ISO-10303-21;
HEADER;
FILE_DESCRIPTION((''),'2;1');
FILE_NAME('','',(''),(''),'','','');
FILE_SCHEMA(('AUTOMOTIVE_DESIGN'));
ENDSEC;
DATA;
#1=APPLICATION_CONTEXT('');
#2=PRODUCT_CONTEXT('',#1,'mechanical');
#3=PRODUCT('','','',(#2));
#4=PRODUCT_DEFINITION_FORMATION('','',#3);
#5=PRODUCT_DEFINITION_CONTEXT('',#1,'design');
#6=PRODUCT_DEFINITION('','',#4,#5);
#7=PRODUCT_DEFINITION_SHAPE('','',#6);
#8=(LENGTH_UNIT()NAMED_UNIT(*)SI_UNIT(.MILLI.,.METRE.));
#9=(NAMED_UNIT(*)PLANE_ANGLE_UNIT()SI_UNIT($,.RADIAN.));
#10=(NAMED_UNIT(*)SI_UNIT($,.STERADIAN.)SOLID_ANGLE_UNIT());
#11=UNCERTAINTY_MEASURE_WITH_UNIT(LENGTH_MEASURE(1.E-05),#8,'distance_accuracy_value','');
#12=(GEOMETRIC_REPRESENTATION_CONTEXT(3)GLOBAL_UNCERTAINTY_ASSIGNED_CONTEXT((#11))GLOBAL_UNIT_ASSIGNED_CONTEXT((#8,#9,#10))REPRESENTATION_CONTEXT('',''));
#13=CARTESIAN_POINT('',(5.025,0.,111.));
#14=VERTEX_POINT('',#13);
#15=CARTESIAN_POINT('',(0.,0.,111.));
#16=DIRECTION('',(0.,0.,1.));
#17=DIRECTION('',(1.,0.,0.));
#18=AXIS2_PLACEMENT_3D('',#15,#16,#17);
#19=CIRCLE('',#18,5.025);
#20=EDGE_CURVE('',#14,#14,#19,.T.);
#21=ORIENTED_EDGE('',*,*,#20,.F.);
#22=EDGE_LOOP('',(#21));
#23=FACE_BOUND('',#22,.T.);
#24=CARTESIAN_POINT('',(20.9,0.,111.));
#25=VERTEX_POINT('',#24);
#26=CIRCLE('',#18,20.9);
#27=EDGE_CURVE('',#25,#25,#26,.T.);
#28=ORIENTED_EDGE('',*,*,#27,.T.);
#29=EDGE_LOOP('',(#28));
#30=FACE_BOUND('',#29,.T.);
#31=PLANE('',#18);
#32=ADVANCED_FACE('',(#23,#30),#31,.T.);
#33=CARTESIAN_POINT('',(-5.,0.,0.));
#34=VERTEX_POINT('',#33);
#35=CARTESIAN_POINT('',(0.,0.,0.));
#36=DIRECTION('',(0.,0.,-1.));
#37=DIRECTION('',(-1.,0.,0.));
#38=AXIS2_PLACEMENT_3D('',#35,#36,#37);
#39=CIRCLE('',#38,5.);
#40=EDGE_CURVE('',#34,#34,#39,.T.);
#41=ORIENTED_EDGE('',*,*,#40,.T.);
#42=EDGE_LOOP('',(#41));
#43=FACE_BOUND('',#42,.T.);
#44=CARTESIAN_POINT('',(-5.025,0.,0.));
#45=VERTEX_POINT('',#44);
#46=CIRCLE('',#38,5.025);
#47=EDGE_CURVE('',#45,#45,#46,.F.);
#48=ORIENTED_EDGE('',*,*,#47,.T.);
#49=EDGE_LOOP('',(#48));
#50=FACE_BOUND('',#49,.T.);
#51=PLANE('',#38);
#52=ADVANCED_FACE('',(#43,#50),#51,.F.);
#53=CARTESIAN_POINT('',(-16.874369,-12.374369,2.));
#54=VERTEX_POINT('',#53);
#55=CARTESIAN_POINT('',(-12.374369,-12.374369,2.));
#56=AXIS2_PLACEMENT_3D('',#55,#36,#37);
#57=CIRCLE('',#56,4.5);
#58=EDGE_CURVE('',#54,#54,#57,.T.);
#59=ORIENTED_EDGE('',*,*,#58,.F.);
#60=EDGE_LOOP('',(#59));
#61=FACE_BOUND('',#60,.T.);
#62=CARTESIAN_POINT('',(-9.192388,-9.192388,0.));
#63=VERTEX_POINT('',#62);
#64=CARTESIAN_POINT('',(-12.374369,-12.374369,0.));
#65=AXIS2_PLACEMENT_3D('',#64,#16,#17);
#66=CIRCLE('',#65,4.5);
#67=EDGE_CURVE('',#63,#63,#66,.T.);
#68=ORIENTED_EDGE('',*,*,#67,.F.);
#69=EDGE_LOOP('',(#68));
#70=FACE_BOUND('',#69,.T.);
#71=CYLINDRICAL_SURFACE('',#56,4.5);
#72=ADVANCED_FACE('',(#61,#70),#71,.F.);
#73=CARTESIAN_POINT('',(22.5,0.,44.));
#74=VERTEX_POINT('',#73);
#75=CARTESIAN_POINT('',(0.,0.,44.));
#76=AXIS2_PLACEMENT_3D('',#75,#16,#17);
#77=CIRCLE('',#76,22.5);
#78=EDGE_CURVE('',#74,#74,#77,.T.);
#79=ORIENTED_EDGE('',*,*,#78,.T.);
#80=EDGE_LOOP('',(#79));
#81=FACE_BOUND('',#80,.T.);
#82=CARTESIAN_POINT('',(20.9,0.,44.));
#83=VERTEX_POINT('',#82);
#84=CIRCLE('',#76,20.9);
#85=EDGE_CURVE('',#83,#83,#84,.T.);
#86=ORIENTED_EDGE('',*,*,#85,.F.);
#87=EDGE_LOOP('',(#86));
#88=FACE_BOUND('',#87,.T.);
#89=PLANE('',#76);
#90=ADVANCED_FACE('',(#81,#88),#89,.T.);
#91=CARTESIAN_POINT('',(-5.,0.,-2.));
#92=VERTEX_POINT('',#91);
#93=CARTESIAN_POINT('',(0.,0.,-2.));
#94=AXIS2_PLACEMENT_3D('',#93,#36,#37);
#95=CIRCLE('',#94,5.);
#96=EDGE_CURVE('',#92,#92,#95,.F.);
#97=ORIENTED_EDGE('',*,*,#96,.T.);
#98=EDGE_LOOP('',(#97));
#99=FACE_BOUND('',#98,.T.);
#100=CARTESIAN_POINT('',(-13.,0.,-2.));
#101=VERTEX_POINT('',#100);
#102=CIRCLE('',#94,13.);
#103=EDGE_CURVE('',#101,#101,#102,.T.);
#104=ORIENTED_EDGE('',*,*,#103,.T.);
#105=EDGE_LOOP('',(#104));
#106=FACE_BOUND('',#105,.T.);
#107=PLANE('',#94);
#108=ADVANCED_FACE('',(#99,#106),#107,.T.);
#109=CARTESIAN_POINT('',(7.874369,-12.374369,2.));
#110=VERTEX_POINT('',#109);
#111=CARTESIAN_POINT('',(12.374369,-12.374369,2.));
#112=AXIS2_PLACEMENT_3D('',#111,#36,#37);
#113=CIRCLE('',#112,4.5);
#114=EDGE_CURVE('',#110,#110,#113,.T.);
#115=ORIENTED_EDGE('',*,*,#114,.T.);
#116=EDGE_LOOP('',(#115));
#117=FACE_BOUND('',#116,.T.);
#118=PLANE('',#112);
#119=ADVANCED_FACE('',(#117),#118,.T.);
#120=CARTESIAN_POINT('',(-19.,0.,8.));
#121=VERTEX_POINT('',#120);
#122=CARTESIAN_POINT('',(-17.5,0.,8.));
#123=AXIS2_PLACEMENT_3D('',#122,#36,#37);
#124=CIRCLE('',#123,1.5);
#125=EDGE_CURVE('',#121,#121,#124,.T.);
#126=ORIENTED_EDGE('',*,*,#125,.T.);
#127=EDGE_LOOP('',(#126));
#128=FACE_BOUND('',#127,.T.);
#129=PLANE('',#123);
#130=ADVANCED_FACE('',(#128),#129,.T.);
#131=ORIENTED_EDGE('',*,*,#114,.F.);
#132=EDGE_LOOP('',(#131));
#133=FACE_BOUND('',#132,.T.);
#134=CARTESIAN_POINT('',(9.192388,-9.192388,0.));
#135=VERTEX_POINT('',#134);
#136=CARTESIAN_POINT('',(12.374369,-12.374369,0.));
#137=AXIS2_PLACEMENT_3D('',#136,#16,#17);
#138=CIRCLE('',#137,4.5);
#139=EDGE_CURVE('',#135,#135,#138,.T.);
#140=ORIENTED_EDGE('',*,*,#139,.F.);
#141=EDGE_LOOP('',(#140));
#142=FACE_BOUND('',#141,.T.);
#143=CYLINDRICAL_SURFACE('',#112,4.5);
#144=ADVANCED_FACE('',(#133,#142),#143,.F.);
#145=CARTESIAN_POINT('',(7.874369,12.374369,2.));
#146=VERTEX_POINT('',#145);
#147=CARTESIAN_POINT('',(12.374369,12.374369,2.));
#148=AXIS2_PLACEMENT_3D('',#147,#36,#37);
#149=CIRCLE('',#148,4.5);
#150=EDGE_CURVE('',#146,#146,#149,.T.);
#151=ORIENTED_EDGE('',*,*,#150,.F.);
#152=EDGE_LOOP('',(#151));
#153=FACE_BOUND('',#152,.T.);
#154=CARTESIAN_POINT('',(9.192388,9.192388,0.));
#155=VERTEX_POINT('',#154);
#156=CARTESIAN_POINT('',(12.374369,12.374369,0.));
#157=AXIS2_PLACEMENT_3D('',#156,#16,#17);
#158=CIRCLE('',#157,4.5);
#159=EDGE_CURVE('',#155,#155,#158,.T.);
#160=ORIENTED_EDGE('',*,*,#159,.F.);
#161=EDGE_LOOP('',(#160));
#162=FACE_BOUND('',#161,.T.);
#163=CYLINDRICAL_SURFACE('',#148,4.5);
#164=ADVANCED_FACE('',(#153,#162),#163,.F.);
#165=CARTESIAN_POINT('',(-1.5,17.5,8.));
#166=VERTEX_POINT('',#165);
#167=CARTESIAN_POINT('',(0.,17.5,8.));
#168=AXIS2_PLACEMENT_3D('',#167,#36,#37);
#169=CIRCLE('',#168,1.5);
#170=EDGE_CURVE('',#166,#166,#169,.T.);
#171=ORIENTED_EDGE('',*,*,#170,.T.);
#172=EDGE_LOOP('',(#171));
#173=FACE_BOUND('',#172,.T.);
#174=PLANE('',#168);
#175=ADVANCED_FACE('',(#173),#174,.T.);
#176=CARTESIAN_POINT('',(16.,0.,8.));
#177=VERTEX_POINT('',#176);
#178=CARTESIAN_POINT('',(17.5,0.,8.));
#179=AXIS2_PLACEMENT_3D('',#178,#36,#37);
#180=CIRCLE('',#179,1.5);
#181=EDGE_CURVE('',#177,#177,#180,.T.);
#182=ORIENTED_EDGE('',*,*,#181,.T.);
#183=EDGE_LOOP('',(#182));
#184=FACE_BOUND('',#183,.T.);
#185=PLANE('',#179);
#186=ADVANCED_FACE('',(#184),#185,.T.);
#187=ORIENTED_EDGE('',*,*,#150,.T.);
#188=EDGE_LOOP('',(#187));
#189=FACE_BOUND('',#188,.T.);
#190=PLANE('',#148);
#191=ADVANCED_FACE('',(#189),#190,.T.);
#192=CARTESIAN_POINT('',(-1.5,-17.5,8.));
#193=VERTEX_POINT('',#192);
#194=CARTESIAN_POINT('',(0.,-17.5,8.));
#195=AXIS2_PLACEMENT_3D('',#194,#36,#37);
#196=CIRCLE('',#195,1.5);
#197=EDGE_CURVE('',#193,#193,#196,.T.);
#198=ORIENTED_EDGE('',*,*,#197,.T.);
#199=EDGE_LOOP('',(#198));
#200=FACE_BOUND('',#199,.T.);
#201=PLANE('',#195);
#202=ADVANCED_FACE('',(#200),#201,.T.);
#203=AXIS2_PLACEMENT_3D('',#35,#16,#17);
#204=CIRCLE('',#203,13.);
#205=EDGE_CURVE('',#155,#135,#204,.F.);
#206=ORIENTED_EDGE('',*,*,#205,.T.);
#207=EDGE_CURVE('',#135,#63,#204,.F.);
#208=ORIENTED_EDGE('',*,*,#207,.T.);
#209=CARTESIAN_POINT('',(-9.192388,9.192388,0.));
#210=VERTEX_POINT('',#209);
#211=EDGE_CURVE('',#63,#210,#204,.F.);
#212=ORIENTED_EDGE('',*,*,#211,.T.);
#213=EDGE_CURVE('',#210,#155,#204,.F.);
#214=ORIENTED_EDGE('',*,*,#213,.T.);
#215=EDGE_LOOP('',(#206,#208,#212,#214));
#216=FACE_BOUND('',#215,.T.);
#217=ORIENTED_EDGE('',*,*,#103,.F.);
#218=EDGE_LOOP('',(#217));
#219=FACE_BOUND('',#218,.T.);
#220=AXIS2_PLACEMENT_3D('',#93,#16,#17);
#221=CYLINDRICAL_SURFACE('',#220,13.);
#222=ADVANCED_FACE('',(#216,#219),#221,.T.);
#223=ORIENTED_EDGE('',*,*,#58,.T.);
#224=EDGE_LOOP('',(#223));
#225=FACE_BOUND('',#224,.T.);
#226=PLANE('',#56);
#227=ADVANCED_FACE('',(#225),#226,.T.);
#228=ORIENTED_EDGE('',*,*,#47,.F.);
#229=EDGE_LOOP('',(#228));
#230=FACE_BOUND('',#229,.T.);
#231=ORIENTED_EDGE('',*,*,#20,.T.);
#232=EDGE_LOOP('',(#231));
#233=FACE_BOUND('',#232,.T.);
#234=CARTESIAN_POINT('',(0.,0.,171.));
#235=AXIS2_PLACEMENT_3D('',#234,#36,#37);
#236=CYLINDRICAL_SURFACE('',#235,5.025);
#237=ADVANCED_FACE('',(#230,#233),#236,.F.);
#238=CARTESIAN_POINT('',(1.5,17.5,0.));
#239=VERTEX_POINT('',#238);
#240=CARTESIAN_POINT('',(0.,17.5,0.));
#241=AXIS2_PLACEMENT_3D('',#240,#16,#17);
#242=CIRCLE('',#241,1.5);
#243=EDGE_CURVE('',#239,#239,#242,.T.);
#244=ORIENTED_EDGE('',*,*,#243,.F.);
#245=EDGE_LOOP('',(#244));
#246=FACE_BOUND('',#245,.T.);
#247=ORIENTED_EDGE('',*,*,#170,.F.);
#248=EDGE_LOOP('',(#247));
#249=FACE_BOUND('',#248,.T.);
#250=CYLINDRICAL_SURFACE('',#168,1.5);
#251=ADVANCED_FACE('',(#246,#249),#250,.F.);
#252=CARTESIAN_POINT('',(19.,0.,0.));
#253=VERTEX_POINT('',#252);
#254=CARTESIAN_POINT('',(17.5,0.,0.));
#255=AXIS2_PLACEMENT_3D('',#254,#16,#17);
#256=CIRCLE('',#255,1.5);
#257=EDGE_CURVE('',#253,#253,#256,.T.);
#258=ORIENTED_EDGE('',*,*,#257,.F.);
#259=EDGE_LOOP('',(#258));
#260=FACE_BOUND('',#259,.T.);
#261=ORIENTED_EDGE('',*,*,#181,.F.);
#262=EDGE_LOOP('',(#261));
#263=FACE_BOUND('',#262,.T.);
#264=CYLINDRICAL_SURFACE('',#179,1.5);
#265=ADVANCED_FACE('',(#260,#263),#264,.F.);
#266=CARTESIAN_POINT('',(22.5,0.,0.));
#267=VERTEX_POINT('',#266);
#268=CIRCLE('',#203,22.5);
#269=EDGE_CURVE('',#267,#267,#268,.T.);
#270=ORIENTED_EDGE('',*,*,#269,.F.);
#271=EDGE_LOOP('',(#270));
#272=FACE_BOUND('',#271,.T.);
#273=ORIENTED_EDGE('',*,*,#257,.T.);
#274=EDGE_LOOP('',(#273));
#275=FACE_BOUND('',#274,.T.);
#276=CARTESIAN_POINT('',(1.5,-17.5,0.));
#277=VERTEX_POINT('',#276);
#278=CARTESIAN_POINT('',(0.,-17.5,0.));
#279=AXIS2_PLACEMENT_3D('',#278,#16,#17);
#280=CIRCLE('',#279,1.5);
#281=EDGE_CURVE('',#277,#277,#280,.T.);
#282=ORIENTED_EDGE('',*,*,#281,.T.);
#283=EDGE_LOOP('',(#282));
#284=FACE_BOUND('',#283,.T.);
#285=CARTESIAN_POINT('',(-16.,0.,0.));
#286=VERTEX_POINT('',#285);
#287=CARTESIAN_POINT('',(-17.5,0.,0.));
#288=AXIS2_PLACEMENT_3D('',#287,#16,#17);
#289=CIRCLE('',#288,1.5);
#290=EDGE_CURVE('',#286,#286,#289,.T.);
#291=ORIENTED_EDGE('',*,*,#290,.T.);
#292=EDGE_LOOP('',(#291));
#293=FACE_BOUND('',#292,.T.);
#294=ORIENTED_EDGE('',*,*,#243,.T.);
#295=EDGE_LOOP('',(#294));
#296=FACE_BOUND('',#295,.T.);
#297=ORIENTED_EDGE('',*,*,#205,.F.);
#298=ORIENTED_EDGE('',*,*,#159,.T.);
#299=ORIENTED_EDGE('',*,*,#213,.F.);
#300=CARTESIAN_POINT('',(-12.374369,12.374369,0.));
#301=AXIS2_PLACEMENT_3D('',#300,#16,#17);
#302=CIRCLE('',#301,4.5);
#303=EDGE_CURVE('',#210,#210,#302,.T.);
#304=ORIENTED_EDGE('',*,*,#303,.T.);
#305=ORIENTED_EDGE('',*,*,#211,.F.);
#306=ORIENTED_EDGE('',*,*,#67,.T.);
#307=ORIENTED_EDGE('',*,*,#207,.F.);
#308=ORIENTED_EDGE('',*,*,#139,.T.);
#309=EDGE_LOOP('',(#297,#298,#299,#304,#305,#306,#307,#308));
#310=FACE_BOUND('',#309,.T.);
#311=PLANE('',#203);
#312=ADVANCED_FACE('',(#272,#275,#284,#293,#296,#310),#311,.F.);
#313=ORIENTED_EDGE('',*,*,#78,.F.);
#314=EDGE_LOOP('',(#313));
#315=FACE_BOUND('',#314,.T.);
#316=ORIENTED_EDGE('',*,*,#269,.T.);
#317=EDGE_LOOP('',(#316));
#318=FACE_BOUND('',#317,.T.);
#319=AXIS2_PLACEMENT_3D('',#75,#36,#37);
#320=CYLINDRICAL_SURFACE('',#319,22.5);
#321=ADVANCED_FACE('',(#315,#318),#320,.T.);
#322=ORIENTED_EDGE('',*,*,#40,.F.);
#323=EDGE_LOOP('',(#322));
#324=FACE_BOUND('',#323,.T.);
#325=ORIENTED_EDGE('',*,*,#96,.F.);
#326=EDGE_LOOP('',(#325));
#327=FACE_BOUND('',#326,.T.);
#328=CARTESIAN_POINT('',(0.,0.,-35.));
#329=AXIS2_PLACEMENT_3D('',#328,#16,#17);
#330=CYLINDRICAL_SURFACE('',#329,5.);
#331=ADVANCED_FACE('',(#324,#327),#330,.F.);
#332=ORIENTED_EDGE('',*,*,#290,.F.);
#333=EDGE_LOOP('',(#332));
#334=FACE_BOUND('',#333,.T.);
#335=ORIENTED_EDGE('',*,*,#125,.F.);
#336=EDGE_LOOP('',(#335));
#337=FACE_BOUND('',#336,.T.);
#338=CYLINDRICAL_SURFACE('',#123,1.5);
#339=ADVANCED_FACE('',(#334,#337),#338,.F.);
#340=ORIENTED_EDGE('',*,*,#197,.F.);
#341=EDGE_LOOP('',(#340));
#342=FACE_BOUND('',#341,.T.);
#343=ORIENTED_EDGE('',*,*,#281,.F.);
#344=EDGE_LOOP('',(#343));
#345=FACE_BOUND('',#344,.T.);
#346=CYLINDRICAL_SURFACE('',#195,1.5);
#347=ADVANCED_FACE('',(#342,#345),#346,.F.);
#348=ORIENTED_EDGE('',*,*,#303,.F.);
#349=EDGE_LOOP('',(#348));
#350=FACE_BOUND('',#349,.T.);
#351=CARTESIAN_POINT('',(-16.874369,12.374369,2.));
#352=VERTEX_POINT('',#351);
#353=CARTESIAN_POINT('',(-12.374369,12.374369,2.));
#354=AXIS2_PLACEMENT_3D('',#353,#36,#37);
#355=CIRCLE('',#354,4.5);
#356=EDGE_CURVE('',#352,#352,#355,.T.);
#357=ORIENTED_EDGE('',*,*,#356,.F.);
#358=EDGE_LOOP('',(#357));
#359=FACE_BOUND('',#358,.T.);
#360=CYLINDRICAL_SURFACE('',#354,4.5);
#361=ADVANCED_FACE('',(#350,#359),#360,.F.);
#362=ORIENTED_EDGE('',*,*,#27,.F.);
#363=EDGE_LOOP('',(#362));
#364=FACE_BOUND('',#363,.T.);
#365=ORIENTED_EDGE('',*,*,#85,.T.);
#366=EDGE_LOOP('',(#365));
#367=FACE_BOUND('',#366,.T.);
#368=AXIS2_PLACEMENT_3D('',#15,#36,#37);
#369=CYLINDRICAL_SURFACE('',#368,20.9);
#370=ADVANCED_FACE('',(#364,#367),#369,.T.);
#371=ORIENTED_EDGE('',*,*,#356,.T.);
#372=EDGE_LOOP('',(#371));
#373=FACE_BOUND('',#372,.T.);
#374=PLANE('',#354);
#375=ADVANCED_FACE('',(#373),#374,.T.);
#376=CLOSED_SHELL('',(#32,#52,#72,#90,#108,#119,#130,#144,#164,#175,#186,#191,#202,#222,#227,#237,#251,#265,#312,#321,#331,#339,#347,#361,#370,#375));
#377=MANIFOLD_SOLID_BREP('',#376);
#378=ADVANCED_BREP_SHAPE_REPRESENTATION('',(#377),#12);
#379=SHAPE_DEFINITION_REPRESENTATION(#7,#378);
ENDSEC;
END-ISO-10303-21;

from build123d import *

# Parameters (mm, degrees)
SKETCH1_R           = 22.5
SKETCH1_R_2         = 20.9
BOSS_EXTRUDE1_DEPTH = 44
SKETCH1_2_R         = 20.9
BOSS_EXTRUDE2_DEPTH = 111
SKETCH3_R           = 5.025
CUT_EXTRUDE1_DEPTH  = 171
SKETCH2_R           = 13
BOSS_EXTRUDE5_DEPTH = 2
SKETCH2_4_R         = 5
CUT_EXTRUDE2_DEPTH  = 35
SKETCH6_R           = 1.5
CUT_EXTRUDE4_DEPTH  = 10
SKETCH6_3_R         = 1.5
CUT_EXTRUDE5_DEPTH  = 10
SKETCH6_4_R         = 1.5
CUT_EXTRUDE6_DEPTH  = 10
SKETCH6_5_R         = 1.5
CUT_EXTRUDE7_DEPTH  = 10
SKETCH6_7_R         = 4.5
CUT_EXTRUDE8_DEPTH  = 4
SKETCH6_8_R         = 4.5
CUT_EXTRUDE9_DEPTH  = 4
SKETCH6_9_R         = 4.5
CUT_EXTRUDE10_DEPTH = 4
SKETCH6_10_R        = 4.5
CUT_EXTRUDE11_DEPTH = 4


with BuildPart() as part:
    # Sketch1 → Boss-Extrude1 (new body)
    with BuildSketch(Plane.XY):
        Circle(SKETCH1_R)
        Circle(SKETCH1_R_2, mode=Mode.SUBTRACT)
    extrude(amount=BOSS_EXTRUDE1_DEPTH)

    # Sketch1<2> → Boss-Extrude2 (add)
    with BuildSketch(Plane.XY):
        Circle(SKETCH1_2_R)
    extrude(amount=BOSS_EXTRUDE2_DEPTH)

    # Sketch3 → Cut-Extrude1 (cut)
    with BuildSketch(Plane(origin=(0, 0, 0), x_dir=(-1, 0, 0), z_dir=(0, 0, -1))):
        Circle(SKETCH3_R)
    extrude(amount=-CUT_EXTRUDE1_DEPTH, mode=Mode.SUBTRACT)

    # Sketch2 → Boss-Extrude5 (add)
    with BuildSketch(Plane(origin=(0, 0, 0), x_dir=(-1, 0, 0), z_dir=(0, 0, -1))):
        Circle(SKETCH2_R)
    extrude(amount=BOSS_EXTRUDE5_DEPTH)

    # Sketch2<4> → Cut-Extrude2 (cut)
    with BuildSketch(Plane(origin=(0, 0, 0), x_dir=(-1, 0, 0), z_dir=(0, 0, -1))):
        Circle(SKETCH2_4_R)
    extrude(amount=CUT_EXTRUDE2_DEPTH, mode=Mode.SUBTRACT)

    # Sketch6 → Cut-Extrude4 (cut)
    with BuildSketch(Plane(origin=(0, 0, -2), x_dir=(-1, 0, 0), z_dir=(0, 0, -1))):
        with Locations((0, 17.5)):
            Circle(SKETCH6_R)
    extrude(amount=-CUT_EXTRUDE4_DEPTH, mode=Mode.SUBTRACT)

    # Sketch6<3> → Cut-Extrude5 (cut)
    with BuildSketch(Plane(origin=(0, 0, -2), x_dir=(-1, 0, 0), z_dir=(0, 0, -1))):
        with Locations((17.5, 0)):
            Circle(SKETCH6_3_R)
    extrude(amount=-CUT_EXTRUDE5_DEPTH, mode=Mode.SUBTRACT)

    # Sketch6<4> → Cut-Extrude6 (cut)
    with BuildSketch(Plane(origin=(0, 0, -2), x_dir=(-1, 0, 0), z_dir=(0, 0, -1))):
        with Locations((0, -17.5)):
            Circle(SKETCH6_4_R)
    extrude(amount=-CUT_EXTRUDE6_DEPTH, mode=Mode.SUBTRACT)

    # Sketch6<5> → Cut-Extrude7 (cut)
    with BuildSketch(Plane(origin=(0, 0, -2), x_dir=(-1, 0, 0), z_dir=(0, 0, -1))):
        with Locations((-17.5, 0)):
            Circle(SKETCH6_5_R)
    extrude(amount=-CUT_EXTRUDE7_DEPTH, mode=Mode.SUBTRACT)

    # Sketch6<7> → Cut-Extrude8 (cut)
    with BuildSketch(Plane(origin=(0, 0, -2), x_dir=(-1, 0, 0), z_dir=(0, 0, -1))):
        with Locations((12.374368671, 12.374368671)):
            Circle(SKETCH6_7_R)
    extrude(amount=-CUT_EXTRUDE8_DEPTH, mode=Mode.SUBTRACT)

    # Sketch6<8> → Cut-Extrude9 (cut)
    with BuildSketch(Plane(origin=(0, 0, -2), x_dir=(-1, 0, 0), z_dir=(0, 0, -1))):
        with Locations((-12.374368671, 12.374368671)):
            Circle(SKETCH6_8_R)
    extrude(amount=-CUT_EXTRUDE9_DEPTH, mode=Mode.SUBTRACT)

    # Sketch6<9> → Cut-Extrude10 (cut)
    with BuildSketch(Plane(origin=(0, 0, -2), x_dir=(-1, 0, 0), z_dir=(0, 0, -1))):
        with Locations((-12.374368671, -12.374368671)):
            Circle(SKETCH6_9_R)
    extrude(amount=-CUT_EXTRUDE10_DEPTH, mode=Mode.SUBTRACT)

    # Sketch6<10> → Cut-Extrude11 (cut)
    with BuildSketch(Plane(origin=(0, 0, -2), x_dir=(-1, 0, 0), z_dir=(0, 0, -1))):
        with Locations((12.374368671, -12.374368671)):
            Circle(SKETCH6_10_R)
    extrude(amount=-CUT_EXTRUDE11_DEPTH, mode=Mode.SUBTRACT)


solid = part.part
